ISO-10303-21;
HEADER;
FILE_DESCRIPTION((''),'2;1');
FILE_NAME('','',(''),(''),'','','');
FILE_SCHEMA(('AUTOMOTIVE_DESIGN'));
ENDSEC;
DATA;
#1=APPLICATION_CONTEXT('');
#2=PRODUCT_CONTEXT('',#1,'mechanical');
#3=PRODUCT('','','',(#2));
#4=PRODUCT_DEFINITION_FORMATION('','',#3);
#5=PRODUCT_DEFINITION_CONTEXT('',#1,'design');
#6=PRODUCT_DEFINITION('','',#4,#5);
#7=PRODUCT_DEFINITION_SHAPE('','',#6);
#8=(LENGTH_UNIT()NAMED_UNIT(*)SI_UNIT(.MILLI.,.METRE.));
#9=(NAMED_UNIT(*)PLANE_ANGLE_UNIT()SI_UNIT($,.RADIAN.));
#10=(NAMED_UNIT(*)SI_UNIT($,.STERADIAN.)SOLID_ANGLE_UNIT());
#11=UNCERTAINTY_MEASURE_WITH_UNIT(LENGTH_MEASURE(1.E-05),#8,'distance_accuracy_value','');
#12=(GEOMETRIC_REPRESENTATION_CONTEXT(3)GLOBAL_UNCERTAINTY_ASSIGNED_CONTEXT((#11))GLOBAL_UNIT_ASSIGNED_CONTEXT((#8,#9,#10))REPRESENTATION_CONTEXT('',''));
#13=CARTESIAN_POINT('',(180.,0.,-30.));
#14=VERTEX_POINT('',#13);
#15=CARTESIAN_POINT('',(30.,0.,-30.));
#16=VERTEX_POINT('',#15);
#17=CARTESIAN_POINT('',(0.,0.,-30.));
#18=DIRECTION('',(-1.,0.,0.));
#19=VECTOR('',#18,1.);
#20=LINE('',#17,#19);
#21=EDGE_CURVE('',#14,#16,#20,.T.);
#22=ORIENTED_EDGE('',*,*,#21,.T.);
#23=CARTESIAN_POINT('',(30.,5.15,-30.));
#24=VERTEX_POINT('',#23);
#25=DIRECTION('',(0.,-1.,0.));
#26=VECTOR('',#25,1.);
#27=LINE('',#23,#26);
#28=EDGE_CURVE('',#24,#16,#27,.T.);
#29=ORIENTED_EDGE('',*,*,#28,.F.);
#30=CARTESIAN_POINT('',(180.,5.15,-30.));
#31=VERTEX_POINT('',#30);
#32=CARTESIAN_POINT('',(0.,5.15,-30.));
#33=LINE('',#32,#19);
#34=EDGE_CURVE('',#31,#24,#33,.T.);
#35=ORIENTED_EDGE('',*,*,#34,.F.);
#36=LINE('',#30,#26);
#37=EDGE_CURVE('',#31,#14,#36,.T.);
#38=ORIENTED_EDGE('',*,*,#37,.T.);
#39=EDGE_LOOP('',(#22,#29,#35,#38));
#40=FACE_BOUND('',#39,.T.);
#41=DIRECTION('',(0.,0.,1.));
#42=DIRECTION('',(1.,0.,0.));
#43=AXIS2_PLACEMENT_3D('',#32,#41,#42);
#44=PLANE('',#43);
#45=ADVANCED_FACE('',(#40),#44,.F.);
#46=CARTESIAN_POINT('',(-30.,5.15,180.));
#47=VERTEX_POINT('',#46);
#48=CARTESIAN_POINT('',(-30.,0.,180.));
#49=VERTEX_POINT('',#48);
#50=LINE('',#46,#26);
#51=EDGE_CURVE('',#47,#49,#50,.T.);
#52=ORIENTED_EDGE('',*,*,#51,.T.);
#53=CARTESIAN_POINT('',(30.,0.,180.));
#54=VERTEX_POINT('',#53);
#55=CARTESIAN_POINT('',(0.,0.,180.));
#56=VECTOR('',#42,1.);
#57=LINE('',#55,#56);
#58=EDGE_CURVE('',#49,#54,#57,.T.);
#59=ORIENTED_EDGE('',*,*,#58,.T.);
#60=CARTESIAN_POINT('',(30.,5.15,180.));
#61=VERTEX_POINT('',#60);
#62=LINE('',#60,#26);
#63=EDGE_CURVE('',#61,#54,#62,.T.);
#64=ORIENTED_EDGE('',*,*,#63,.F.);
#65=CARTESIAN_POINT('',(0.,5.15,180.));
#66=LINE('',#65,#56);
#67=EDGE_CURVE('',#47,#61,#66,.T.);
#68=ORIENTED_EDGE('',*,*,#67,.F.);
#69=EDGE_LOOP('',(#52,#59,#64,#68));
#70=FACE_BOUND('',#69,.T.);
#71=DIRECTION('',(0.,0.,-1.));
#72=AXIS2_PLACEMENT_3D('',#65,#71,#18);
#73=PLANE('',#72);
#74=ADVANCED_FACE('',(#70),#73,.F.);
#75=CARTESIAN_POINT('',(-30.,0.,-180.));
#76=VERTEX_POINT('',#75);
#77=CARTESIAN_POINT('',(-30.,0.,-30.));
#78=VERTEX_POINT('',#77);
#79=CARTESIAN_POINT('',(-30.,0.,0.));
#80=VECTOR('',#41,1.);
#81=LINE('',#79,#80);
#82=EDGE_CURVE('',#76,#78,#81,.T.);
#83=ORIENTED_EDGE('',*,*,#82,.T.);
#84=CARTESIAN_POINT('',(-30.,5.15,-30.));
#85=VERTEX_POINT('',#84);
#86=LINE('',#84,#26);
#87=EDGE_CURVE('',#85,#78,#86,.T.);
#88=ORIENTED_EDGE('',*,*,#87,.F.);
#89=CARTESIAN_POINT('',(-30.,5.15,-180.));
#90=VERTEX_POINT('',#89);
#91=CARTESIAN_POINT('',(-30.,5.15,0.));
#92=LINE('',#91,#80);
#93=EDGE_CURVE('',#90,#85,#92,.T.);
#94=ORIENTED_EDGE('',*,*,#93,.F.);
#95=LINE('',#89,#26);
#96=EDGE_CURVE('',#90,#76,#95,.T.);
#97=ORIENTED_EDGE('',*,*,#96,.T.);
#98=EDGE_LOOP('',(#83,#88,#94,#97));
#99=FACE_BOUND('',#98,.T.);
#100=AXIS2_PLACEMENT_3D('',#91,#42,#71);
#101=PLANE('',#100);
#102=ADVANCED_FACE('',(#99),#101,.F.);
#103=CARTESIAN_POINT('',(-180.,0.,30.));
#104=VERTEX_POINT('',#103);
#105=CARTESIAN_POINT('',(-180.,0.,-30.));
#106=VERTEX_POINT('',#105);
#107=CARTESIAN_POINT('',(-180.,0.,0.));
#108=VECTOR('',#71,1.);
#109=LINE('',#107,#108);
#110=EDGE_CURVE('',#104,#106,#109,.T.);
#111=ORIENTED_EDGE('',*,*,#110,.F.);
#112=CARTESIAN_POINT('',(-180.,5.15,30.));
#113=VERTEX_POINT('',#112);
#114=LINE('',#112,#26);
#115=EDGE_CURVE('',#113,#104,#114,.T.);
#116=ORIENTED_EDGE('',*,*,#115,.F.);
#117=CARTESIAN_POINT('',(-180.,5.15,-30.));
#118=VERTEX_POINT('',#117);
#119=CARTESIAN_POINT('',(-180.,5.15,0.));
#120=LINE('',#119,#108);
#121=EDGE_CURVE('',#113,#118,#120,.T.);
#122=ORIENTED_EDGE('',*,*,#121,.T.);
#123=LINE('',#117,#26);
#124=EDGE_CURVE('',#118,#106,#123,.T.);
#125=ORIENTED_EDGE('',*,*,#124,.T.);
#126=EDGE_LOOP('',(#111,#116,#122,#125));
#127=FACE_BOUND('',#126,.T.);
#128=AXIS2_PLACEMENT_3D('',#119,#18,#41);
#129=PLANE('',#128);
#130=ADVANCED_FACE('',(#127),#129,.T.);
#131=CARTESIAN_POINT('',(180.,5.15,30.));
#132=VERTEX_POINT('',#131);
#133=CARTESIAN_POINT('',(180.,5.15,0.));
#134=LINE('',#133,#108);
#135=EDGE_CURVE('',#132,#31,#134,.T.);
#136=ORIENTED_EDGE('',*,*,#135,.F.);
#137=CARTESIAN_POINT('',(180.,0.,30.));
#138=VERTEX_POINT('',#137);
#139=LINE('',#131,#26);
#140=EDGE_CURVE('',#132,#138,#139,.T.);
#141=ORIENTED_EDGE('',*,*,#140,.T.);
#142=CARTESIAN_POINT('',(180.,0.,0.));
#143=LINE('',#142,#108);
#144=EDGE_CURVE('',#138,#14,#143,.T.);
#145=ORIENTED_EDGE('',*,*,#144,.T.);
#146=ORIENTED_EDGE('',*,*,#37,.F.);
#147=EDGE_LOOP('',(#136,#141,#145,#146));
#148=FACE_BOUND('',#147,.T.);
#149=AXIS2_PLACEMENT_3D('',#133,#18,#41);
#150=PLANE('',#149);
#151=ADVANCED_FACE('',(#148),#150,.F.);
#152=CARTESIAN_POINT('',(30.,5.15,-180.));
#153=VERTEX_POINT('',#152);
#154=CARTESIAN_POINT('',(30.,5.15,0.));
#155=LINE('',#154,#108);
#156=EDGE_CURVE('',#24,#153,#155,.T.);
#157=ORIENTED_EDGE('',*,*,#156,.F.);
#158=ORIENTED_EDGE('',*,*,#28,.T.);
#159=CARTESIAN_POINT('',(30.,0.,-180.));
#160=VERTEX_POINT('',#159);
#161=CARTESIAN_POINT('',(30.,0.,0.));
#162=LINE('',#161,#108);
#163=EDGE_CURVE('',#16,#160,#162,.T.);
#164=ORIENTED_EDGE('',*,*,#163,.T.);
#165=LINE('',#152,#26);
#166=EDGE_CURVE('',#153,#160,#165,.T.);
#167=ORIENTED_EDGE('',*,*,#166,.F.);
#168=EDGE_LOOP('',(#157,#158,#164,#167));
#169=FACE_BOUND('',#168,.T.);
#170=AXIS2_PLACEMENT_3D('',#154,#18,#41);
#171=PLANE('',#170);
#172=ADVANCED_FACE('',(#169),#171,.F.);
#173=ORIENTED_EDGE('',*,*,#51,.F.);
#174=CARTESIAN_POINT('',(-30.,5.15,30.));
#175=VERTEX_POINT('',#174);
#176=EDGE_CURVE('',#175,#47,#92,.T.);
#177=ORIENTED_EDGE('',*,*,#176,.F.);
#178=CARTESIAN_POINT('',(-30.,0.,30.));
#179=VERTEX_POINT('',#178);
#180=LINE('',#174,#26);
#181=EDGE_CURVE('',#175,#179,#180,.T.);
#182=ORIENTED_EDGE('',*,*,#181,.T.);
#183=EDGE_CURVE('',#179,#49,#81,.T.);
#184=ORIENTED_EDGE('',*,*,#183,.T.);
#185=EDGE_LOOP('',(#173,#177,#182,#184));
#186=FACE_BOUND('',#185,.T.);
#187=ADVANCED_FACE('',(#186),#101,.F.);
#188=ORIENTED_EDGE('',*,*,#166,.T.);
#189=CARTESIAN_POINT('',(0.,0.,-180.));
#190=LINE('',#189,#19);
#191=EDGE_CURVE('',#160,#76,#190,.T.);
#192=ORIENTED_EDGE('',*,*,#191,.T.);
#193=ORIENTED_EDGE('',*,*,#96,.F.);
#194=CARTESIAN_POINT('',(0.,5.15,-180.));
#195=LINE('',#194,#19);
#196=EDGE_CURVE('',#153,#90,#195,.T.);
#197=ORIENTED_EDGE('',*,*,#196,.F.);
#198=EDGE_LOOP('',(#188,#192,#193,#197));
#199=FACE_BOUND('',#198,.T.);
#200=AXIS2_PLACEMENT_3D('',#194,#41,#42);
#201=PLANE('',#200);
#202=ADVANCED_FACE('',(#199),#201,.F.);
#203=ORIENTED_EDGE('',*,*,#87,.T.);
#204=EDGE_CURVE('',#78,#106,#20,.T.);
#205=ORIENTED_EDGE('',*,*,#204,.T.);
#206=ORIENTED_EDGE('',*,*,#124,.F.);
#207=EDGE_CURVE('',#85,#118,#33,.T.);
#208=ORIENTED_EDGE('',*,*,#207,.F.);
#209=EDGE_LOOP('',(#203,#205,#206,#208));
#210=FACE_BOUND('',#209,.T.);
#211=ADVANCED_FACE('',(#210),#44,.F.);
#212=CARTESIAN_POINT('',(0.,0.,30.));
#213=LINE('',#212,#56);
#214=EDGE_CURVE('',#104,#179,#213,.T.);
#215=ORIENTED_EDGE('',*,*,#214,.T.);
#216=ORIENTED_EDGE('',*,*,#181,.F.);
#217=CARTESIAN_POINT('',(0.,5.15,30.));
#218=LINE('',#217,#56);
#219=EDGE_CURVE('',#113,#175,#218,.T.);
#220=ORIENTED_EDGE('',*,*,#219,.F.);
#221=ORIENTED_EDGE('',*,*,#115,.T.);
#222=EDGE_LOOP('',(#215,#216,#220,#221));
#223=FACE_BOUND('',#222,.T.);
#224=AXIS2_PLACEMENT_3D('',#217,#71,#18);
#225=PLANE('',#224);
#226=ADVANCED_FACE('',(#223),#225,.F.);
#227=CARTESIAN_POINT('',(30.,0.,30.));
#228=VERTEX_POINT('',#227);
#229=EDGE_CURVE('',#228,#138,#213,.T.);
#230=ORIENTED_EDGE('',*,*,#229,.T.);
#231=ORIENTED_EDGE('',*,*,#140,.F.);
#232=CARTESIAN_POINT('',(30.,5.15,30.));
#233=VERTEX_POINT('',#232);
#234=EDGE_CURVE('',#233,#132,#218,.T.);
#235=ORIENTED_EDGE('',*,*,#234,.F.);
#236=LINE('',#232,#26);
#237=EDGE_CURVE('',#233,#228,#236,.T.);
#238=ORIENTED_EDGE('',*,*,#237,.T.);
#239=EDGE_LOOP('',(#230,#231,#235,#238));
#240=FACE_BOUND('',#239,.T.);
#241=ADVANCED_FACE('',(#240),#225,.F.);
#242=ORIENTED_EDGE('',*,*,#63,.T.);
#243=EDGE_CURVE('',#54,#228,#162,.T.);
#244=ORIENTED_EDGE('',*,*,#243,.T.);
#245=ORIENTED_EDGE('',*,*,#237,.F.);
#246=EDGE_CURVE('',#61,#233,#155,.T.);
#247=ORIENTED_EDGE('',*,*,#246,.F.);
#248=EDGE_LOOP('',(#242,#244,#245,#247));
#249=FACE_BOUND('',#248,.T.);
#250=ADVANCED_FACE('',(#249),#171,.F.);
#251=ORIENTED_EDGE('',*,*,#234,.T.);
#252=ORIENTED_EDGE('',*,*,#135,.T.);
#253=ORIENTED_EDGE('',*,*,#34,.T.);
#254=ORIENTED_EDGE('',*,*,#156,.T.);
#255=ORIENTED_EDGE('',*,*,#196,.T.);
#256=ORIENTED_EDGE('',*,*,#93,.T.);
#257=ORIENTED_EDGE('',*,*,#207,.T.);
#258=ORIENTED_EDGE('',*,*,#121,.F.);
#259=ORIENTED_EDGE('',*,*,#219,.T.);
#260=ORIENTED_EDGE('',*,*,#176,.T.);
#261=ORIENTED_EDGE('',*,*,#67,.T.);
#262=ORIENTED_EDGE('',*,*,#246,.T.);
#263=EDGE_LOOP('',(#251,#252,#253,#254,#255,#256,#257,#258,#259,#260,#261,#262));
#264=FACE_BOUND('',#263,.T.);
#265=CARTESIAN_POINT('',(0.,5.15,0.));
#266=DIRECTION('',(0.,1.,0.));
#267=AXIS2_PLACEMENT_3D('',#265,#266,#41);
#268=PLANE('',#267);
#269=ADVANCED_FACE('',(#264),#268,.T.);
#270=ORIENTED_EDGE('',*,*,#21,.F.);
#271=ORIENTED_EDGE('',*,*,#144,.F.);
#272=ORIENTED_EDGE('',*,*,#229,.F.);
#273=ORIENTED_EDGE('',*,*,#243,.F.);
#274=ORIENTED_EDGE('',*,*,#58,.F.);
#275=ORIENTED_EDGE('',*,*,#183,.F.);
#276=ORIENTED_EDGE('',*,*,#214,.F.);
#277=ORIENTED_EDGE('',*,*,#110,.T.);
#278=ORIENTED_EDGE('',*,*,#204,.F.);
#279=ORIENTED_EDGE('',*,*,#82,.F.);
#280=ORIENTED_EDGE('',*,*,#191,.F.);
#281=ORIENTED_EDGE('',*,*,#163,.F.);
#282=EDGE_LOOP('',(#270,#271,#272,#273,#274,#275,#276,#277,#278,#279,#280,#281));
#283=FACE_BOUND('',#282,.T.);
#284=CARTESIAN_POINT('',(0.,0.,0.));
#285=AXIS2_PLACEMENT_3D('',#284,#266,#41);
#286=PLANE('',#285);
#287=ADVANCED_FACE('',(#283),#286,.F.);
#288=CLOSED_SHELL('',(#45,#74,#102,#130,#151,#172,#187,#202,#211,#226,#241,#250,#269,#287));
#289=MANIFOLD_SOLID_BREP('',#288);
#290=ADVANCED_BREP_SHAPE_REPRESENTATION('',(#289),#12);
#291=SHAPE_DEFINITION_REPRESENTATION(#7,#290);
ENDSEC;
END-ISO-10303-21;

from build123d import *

# Parameters (mm, degrees)
BOSS_EXTRUDE1_DEPTH = 5.15


with BuildPart() as part:
    # Sketch1 → Boss-Extrude1 (new body)
    with BuildSketch(Plane(origin=(0, 0, 0), x_dir=(1, 0, 0), z_dir=(0, 1, 0))):
        Polygon((-180, -30), (-180, 0), (-180, 30), (-30, 30), (-30, 180), (0, 180), (30, 180), (30, 30), (180, 30), (180, 0), (180, -30), (30, -30), (30, -180), (0, -180), (-30, -180), (-30, -30), align=None)
    extrude(amount=BOSS_EXTRUDE1_DEPTH)


solid = part.part
